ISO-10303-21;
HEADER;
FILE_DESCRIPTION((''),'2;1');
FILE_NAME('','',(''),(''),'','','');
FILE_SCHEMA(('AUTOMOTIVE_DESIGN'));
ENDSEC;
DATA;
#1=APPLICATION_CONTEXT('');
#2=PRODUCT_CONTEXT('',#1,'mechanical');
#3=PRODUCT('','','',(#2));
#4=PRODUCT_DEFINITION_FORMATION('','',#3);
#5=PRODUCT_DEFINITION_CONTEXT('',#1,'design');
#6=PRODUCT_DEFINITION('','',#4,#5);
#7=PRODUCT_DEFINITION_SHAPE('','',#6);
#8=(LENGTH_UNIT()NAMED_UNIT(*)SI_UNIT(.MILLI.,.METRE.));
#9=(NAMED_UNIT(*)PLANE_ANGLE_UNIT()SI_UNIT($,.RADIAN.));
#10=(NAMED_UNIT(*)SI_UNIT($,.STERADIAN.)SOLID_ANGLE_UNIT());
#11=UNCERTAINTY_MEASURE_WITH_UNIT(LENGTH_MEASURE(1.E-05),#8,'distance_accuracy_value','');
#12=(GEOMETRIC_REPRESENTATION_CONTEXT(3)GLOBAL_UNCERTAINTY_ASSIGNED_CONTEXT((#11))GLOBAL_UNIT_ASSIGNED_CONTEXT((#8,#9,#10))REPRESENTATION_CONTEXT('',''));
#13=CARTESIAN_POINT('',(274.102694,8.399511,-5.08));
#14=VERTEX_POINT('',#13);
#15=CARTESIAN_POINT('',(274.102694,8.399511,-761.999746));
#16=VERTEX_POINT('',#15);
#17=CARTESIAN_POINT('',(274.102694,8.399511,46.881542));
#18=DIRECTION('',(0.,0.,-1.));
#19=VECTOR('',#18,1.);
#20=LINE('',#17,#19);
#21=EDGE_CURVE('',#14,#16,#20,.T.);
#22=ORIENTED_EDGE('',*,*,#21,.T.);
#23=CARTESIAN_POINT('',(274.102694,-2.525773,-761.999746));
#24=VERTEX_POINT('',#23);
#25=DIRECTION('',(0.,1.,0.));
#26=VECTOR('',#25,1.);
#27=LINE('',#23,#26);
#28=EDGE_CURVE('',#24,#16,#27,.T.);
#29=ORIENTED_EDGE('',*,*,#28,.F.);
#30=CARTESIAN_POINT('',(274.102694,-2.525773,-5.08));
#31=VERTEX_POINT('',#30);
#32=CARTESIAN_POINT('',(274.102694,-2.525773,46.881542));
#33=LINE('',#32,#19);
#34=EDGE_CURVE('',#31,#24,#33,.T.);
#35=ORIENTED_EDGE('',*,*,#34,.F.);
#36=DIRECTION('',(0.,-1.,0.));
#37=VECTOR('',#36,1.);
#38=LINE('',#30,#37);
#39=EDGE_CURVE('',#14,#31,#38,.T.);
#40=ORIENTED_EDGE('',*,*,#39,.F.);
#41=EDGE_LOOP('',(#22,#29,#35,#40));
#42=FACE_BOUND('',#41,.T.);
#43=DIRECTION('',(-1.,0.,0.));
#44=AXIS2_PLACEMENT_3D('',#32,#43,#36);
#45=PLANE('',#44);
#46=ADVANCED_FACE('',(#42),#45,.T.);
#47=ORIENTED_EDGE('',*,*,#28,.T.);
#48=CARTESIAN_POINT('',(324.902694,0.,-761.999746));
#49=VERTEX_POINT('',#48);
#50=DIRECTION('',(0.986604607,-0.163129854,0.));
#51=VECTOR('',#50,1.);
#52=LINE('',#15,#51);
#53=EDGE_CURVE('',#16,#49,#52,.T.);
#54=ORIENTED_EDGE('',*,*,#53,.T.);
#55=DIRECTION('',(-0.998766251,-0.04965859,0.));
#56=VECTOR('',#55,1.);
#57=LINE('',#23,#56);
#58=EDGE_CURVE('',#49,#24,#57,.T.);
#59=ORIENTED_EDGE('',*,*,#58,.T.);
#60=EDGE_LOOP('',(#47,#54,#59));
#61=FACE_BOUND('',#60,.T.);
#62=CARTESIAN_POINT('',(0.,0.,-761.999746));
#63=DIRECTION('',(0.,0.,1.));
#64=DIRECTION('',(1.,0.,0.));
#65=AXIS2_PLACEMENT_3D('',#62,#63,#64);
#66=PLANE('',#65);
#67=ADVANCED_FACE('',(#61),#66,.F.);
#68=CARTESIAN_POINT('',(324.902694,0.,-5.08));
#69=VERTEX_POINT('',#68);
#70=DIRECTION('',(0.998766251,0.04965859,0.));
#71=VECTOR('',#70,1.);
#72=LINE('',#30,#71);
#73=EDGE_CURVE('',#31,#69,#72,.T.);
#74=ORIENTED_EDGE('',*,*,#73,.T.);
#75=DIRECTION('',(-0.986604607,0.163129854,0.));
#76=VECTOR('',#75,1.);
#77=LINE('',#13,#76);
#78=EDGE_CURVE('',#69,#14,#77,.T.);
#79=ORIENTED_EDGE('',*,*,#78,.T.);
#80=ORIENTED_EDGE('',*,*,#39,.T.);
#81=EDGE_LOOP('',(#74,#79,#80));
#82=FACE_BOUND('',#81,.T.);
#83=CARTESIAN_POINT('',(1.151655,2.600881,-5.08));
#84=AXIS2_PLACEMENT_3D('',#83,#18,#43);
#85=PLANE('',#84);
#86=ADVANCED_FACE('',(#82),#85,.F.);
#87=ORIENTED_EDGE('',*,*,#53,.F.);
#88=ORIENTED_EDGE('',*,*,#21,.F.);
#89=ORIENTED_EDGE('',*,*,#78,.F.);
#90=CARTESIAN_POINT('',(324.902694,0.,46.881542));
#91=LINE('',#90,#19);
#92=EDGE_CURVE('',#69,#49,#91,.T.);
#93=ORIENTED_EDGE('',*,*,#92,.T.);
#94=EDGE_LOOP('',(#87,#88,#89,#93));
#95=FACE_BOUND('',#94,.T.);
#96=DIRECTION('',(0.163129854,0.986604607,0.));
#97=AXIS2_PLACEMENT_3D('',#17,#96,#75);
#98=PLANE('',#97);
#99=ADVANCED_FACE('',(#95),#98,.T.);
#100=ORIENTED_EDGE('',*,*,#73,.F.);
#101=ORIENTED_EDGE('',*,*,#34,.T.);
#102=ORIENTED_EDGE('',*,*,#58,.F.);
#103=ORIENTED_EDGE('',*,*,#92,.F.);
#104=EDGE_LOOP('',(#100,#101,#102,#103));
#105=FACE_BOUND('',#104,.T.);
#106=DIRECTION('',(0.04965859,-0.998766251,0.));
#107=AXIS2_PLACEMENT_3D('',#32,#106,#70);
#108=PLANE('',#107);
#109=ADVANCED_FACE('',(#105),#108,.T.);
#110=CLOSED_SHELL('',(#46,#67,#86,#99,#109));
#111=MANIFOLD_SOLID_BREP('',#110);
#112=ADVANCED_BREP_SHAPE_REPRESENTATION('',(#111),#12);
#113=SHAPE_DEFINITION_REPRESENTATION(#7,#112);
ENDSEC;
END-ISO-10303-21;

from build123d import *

# Parameters (mm, degrees)
BOSS_EXTRUDE2_DEPTH = 756.919746


with BuildPart() as part:
    # Sketch2 → Boss-Extrude2 (new body)
    with BuildSketch(Plane(origin=(0, 0, -761.999746), x_dir=(-1, 0, 0), z_dir=(0, 0, -1))):
        Polygon((-274.102693551, -2.525772554), (-274.102693551, 8.399511346), (-324.902693551, 0), align=None)
    extrude(amount=-BOSS_EXTRUDE2_DEPTH)


solid = part.part
